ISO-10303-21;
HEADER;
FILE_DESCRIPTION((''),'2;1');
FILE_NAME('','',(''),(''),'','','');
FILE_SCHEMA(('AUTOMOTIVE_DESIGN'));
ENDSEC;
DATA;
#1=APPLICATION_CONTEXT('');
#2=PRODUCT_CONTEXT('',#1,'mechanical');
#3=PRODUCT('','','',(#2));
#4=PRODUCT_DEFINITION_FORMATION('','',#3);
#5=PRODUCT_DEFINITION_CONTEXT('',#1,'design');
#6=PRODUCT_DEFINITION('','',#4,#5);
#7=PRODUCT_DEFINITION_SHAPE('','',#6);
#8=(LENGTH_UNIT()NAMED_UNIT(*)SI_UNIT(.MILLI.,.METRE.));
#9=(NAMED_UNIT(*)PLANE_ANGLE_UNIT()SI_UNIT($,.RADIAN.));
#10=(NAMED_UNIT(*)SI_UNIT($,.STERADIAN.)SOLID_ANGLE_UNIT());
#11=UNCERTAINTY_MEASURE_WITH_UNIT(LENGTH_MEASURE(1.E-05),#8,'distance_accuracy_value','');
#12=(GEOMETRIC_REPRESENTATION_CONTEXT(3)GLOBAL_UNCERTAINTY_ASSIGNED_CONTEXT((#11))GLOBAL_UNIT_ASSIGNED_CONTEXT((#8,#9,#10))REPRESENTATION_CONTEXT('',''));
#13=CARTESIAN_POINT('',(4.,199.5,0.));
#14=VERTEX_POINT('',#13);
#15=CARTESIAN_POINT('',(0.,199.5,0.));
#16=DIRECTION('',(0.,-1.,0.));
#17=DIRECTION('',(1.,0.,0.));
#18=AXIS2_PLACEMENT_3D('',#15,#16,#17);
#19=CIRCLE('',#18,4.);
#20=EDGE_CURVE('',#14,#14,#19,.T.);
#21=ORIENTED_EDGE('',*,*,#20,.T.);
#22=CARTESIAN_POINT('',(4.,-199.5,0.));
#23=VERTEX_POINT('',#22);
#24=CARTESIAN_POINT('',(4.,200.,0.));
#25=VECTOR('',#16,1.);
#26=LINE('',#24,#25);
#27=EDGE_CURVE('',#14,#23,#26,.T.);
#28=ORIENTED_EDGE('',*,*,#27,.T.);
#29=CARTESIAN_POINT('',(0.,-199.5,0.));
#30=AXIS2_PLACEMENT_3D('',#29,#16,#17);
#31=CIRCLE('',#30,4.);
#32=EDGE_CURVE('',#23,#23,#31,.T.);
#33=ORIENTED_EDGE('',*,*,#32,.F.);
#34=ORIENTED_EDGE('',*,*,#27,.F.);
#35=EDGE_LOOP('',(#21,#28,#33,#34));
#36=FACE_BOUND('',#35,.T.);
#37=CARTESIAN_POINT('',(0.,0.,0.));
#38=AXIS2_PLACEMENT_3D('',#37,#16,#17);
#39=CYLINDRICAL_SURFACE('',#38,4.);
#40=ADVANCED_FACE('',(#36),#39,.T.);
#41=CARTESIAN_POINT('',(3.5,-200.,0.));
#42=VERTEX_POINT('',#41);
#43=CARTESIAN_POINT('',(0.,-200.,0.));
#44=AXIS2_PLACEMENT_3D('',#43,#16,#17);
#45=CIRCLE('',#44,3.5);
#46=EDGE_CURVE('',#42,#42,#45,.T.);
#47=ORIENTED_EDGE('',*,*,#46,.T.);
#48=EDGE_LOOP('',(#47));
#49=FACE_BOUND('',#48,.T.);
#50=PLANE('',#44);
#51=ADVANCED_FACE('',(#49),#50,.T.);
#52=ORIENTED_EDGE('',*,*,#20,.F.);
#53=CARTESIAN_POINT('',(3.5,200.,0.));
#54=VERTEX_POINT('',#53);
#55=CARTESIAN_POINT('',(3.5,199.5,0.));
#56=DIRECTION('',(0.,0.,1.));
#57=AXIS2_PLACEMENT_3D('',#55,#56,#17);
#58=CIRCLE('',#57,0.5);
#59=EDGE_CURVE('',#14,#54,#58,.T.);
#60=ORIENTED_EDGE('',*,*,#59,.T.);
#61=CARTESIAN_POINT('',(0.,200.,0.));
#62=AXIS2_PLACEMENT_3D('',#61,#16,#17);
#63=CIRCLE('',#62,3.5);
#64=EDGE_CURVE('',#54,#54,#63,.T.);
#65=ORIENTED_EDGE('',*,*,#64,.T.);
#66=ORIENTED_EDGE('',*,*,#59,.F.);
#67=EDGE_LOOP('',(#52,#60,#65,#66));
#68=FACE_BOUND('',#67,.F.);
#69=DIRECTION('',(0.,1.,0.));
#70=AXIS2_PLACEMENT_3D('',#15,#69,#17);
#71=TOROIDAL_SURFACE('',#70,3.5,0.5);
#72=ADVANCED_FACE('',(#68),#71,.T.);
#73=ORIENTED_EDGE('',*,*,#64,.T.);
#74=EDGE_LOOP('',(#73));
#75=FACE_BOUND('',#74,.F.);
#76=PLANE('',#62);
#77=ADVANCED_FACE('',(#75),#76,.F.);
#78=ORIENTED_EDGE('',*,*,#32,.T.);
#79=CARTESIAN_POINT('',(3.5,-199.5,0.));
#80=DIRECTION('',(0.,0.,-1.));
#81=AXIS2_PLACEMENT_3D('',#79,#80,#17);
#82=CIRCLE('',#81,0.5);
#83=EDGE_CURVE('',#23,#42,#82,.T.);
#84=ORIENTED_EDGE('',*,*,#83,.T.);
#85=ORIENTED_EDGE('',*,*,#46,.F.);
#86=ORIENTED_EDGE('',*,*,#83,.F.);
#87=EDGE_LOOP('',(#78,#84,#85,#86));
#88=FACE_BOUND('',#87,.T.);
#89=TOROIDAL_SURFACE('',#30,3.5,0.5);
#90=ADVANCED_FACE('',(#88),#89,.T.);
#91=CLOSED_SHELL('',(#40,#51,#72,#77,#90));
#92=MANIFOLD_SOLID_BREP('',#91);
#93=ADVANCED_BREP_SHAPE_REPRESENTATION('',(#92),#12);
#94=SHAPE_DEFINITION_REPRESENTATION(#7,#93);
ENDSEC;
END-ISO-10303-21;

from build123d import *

# Parameters (mm, degrees)
SKETCH_R  = 4
PAD_DEPTH = 200
FILLET_R  = 0.5


with BuildPart() as part:
    # Sketch → Pad (new body, symmetric)
    with BuildSketch(Plane.XZ):
        Circle(SKETCH_R)
    extrude(amount=PAD_DEPTH, both=True)

    # Fillet
    fillet_edges = [part.edges().sort_by_distance(p)[0] for p in [
        (-4, -200, 0),
        (-4, 200, 0),
    ]]
    fillet(fillet_edges, radius=FILLET_R)


solid = part.part
